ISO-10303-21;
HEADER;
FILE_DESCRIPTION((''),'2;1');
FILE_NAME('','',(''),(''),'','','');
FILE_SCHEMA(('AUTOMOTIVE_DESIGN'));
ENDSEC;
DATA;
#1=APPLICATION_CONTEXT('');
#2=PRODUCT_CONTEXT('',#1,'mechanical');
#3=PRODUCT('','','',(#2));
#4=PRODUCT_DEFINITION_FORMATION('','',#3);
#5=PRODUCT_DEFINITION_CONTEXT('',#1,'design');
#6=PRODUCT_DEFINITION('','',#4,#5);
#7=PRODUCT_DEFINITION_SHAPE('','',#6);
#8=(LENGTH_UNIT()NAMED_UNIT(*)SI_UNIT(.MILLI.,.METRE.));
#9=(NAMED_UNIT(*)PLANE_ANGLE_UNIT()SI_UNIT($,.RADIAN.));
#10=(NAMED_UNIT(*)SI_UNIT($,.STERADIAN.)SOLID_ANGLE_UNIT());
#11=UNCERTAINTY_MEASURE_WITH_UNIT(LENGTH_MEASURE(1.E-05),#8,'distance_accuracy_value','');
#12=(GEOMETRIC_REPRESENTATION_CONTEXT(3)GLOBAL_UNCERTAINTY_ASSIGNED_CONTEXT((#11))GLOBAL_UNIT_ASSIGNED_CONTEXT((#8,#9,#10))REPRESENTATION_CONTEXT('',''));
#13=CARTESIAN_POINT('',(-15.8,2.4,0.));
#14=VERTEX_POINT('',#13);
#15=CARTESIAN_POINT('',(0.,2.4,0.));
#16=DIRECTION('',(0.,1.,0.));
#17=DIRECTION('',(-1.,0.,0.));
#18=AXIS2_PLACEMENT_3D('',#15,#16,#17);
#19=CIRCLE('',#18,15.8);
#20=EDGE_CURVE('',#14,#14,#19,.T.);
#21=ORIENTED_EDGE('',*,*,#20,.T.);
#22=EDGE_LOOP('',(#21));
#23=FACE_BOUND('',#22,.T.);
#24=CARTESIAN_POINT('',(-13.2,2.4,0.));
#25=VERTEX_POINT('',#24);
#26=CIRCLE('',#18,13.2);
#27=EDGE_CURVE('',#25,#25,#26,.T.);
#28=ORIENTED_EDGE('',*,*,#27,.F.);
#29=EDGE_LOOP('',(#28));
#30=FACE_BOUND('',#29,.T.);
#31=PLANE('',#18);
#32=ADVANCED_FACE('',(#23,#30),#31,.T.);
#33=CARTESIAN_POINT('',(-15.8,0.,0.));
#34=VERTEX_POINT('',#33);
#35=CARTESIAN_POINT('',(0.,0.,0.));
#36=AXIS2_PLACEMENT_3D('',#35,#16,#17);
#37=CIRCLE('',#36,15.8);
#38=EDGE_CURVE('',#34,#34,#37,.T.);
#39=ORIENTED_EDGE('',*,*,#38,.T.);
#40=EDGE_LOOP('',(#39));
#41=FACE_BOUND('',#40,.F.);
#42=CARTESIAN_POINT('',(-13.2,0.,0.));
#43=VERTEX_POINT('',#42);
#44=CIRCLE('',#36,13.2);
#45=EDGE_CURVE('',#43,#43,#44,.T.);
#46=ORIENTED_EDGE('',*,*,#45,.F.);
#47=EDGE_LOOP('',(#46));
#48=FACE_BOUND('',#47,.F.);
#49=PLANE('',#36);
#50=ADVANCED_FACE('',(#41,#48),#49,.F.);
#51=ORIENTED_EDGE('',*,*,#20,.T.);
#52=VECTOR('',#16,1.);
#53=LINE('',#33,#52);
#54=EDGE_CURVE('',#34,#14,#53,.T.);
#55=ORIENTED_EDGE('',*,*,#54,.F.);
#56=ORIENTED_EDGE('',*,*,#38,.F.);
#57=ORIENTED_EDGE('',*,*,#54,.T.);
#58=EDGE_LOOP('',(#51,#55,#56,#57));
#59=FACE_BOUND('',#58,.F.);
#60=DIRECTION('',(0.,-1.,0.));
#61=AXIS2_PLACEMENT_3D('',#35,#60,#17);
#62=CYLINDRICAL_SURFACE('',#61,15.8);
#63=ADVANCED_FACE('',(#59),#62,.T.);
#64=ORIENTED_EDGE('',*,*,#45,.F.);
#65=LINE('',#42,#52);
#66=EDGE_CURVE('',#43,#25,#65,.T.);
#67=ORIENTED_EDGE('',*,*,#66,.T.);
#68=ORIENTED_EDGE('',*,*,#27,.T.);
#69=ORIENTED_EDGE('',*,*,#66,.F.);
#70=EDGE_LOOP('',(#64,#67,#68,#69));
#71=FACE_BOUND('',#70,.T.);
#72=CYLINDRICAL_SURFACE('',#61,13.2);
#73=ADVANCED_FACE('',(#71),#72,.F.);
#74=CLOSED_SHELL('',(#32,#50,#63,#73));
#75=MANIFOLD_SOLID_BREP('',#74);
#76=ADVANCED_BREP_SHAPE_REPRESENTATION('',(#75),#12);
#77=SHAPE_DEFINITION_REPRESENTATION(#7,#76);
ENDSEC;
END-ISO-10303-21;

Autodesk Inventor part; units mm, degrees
ref_plane "YZ Plane" through (0, 0, 0) normal (1, 0, 0) x (0, 1, 0)
ref_plane "XZ Plane" through (0, 0, 0) normal (0, 1, 0) x (-1, 0, 0)
ref_plane "XY Plane" through (0, 0, 0) normal (0, 0, 1) x (1, 0, 0)
sketch "Sketch1" plane through (0, 0, 0) normal (0, 1, 0) x (-1, 0, 0)
  circle A0 centre (0, 0) radius 13.2
  circle A1 centre (0, 0) radius 15.8
  dimension "d0" = 26.4
  dimension "d1" = 31.6
extrude "Extrusion1" add sketch "Sketch1" along normal blind 2.4
properties part number "Outlet Gasket" material "Rubber"
